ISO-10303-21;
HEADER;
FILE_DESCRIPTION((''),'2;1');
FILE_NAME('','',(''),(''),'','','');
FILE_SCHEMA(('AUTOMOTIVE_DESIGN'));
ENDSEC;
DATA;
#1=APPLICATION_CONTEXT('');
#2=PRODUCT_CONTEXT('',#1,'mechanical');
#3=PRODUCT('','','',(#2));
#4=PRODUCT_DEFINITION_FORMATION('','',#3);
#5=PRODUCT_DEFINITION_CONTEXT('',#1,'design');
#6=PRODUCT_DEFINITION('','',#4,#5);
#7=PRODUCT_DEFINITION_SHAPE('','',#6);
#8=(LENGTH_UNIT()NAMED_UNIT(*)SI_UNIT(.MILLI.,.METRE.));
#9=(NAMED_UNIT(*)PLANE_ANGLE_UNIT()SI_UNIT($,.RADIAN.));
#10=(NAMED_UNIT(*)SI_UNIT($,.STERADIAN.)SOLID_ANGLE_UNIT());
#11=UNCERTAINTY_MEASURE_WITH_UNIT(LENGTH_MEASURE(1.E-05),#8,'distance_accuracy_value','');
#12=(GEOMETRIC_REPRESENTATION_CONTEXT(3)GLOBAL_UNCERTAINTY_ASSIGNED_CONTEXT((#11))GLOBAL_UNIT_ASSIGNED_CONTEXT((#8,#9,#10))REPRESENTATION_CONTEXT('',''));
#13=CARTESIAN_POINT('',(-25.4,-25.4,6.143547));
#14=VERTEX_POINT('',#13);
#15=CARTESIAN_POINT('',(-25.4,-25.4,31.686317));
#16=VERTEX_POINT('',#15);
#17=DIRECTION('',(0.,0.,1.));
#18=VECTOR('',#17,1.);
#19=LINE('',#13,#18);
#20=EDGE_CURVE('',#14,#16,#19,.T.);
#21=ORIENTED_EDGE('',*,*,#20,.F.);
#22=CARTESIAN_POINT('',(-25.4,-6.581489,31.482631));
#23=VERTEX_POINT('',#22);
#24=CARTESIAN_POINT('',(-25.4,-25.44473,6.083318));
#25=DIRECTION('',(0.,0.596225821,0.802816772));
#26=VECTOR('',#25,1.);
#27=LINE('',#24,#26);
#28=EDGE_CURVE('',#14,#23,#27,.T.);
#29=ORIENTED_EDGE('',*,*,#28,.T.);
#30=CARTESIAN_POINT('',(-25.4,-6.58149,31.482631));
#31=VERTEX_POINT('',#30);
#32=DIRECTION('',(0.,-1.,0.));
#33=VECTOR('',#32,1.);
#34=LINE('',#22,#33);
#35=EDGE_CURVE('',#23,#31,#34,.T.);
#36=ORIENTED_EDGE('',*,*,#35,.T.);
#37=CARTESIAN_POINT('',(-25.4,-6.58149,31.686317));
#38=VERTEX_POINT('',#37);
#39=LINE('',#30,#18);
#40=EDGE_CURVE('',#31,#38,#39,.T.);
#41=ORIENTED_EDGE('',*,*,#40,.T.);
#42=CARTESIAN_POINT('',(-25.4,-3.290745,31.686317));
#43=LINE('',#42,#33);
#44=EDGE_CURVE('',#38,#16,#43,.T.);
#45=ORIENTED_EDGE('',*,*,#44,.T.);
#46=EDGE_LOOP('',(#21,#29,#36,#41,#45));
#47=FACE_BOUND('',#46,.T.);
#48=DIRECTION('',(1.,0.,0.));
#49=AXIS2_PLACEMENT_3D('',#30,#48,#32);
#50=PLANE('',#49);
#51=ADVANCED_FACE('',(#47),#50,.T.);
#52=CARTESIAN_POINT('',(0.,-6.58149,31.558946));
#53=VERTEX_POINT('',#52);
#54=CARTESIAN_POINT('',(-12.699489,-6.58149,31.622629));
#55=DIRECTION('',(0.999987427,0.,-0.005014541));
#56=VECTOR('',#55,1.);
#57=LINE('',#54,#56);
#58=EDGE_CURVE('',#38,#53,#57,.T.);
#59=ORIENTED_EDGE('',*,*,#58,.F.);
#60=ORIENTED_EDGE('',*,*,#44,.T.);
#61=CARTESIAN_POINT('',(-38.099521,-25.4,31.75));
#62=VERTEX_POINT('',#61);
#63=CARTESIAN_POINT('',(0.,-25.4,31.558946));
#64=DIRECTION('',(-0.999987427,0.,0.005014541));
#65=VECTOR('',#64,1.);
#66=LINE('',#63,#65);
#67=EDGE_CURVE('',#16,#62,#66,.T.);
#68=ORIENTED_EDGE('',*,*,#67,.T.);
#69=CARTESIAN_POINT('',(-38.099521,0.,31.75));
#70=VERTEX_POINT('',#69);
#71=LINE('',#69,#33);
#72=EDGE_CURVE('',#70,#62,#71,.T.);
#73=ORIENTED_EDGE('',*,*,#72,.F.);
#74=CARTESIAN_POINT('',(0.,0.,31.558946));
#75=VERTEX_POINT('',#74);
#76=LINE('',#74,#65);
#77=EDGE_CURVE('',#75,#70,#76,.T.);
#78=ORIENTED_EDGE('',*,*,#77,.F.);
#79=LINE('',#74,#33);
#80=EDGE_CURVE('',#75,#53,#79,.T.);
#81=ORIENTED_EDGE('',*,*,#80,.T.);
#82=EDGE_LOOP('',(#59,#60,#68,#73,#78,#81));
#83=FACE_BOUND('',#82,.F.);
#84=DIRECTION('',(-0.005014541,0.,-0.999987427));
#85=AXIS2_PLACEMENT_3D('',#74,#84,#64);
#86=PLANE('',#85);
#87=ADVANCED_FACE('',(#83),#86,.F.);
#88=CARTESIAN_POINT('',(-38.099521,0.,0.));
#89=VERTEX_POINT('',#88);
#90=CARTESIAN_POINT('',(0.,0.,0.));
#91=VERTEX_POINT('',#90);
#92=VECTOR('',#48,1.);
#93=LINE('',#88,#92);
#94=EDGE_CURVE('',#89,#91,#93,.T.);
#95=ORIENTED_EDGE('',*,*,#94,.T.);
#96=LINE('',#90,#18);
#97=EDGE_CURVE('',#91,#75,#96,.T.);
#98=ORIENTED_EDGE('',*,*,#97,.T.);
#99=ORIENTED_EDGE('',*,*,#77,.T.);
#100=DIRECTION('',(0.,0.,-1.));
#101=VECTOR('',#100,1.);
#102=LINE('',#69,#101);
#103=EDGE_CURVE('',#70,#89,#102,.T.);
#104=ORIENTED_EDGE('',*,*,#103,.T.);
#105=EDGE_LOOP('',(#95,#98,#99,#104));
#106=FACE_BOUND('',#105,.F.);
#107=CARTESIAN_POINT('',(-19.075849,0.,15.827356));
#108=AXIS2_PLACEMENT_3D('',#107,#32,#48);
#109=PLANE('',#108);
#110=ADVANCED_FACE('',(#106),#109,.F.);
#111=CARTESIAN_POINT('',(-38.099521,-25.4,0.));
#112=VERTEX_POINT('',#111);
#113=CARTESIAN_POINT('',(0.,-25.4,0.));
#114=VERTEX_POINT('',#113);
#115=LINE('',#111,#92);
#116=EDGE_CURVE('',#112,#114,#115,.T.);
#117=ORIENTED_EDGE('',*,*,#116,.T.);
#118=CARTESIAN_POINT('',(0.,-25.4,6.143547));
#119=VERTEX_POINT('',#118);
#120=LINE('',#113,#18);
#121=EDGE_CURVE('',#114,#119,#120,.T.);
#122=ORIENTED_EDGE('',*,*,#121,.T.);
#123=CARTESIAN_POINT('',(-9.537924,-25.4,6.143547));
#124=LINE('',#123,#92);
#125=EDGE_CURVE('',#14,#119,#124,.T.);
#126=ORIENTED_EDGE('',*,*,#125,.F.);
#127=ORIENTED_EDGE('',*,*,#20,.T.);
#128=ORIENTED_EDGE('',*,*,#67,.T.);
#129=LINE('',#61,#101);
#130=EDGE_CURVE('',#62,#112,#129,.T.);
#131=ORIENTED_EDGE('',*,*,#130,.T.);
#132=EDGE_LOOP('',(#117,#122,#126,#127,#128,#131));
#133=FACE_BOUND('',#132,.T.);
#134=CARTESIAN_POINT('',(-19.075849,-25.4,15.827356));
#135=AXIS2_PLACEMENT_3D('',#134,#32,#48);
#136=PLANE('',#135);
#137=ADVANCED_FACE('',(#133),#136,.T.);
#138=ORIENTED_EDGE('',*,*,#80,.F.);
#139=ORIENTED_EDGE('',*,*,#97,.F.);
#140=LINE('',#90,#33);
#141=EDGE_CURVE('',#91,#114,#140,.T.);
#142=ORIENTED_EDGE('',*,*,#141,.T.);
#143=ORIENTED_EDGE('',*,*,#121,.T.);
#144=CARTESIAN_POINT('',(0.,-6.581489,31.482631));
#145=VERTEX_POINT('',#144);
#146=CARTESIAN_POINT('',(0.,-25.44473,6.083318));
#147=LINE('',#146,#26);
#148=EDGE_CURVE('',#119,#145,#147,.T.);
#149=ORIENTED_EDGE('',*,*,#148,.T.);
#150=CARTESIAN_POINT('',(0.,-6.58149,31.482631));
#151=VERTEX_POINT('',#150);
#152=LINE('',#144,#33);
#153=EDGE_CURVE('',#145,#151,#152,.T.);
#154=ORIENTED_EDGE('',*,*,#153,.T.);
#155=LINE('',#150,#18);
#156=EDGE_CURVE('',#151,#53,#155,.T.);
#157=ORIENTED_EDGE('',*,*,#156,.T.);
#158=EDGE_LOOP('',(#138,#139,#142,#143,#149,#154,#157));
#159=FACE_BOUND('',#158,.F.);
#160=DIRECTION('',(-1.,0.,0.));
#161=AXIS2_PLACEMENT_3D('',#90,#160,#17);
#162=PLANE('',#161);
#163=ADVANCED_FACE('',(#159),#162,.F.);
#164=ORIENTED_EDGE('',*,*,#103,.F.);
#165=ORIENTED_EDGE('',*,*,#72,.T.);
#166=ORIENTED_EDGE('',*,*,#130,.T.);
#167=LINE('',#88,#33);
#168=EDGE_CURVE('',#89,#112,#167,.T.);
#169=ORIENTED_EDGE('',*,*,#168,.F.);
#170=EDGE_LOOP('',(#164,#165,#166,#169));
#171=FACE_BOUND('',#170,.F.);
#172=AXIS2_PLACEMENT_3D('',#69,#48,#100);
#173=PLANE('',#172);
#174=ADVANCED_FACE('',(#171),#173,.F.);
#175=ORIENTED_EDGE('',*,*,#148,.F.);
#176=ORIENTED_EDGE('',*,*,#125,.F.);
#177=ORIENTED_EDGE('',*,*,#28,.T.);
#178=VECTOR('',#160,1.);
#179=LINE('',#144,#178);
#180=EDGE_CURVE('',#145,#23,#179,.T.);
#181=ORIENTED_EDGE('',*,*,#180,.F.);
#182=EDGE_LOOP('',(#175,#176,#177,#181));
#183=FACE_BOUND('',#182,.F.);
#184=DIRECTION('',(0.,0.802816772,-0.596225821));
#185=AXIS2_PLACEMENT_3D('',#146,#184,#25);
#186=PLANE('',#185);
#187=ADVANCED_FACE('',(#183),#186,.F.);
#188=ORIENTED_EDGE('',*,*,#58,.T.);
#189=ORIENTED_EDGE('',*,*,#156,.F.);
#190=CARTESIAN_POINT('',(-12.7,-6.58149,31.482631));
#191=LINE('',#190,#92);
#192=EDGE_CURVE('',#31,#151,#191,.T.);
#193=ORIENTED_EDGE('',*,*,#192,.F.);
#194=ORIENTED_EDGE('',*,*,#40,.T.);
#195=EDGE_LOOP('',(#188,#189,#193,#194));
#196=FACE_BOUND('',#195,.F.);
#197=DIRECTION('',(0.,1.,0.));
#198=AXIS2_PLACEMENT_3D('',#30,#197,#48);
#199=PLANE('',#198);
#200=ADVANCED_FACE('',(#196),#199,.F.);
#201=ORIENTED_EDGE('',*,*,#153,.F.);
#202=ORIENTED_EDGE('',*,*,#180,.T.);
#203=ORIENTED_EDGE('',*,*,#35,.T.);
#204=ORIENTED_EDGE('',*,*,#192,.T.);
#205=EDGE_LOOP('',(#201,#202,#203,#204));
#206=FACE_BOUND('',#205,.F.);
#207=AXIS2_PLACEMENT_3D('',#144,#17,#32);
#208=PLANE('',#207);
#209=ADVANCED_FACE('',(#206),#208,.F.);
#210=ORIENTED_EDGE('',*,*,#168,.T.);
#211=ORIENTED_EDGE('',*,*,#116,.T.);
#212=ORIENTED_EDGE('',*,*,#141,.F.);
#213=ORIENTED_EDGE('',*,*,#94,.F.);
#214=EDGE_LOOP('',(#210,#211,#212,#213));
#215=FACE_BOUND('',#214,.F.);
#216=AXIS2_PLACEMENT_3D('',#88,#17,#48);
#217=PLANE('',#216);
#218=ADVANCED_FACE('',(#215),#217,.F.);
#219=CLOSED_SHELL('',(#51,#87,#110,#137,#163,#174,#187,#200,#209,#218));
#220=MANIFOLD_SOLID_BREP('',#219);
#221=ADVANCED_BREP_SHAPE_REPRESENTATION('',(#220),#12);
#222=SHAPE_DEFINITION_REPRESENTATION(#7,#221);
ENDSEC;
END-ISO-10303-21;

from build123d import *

# Parameters (mm, degrees)
F1_DEPTH  = 25.4
F3_DEPTH  = 25.4
F3_FACE_W = 25.4
F3_FACE_H = 18.81851
F4_DEPTH  = 0.268369


with BuildPart() as f1:
    # F0 (on Front) → F1 (new body)
    with BuildSketch(Plane.XZ):
        Polygon((0, 31.558946), (-38.099521, 31.75), (-38.099521, 0), (0, 0), align=None)
    extrude(amount=F1_DEPTH)

    # F2 (on Right) → F3 (cut)
    with BuildSketch(Plane.YZ):
        Polygon((-25.44473, 6.083318), (-6.581489, 31.482631), (-25.631489, 31.482631), align=None)
    extrude(amount=-F3_DEPTH, mode=Mode.SUBTRACT)

    # F3_face (on face) → F4 (cut, through all)
    with BuildSketch(Plane(origin=(-12.7, -15.990745, 31.482631), x_dir=(1, 0, 0), z_dir=(0, 0, -1))):
        Rectangle(F3_FACE_W, F3_FACE_H)
    extrude(amount=-F4_DEPTH, mode=Mode.SUBTRACT)


solid = f1.part
